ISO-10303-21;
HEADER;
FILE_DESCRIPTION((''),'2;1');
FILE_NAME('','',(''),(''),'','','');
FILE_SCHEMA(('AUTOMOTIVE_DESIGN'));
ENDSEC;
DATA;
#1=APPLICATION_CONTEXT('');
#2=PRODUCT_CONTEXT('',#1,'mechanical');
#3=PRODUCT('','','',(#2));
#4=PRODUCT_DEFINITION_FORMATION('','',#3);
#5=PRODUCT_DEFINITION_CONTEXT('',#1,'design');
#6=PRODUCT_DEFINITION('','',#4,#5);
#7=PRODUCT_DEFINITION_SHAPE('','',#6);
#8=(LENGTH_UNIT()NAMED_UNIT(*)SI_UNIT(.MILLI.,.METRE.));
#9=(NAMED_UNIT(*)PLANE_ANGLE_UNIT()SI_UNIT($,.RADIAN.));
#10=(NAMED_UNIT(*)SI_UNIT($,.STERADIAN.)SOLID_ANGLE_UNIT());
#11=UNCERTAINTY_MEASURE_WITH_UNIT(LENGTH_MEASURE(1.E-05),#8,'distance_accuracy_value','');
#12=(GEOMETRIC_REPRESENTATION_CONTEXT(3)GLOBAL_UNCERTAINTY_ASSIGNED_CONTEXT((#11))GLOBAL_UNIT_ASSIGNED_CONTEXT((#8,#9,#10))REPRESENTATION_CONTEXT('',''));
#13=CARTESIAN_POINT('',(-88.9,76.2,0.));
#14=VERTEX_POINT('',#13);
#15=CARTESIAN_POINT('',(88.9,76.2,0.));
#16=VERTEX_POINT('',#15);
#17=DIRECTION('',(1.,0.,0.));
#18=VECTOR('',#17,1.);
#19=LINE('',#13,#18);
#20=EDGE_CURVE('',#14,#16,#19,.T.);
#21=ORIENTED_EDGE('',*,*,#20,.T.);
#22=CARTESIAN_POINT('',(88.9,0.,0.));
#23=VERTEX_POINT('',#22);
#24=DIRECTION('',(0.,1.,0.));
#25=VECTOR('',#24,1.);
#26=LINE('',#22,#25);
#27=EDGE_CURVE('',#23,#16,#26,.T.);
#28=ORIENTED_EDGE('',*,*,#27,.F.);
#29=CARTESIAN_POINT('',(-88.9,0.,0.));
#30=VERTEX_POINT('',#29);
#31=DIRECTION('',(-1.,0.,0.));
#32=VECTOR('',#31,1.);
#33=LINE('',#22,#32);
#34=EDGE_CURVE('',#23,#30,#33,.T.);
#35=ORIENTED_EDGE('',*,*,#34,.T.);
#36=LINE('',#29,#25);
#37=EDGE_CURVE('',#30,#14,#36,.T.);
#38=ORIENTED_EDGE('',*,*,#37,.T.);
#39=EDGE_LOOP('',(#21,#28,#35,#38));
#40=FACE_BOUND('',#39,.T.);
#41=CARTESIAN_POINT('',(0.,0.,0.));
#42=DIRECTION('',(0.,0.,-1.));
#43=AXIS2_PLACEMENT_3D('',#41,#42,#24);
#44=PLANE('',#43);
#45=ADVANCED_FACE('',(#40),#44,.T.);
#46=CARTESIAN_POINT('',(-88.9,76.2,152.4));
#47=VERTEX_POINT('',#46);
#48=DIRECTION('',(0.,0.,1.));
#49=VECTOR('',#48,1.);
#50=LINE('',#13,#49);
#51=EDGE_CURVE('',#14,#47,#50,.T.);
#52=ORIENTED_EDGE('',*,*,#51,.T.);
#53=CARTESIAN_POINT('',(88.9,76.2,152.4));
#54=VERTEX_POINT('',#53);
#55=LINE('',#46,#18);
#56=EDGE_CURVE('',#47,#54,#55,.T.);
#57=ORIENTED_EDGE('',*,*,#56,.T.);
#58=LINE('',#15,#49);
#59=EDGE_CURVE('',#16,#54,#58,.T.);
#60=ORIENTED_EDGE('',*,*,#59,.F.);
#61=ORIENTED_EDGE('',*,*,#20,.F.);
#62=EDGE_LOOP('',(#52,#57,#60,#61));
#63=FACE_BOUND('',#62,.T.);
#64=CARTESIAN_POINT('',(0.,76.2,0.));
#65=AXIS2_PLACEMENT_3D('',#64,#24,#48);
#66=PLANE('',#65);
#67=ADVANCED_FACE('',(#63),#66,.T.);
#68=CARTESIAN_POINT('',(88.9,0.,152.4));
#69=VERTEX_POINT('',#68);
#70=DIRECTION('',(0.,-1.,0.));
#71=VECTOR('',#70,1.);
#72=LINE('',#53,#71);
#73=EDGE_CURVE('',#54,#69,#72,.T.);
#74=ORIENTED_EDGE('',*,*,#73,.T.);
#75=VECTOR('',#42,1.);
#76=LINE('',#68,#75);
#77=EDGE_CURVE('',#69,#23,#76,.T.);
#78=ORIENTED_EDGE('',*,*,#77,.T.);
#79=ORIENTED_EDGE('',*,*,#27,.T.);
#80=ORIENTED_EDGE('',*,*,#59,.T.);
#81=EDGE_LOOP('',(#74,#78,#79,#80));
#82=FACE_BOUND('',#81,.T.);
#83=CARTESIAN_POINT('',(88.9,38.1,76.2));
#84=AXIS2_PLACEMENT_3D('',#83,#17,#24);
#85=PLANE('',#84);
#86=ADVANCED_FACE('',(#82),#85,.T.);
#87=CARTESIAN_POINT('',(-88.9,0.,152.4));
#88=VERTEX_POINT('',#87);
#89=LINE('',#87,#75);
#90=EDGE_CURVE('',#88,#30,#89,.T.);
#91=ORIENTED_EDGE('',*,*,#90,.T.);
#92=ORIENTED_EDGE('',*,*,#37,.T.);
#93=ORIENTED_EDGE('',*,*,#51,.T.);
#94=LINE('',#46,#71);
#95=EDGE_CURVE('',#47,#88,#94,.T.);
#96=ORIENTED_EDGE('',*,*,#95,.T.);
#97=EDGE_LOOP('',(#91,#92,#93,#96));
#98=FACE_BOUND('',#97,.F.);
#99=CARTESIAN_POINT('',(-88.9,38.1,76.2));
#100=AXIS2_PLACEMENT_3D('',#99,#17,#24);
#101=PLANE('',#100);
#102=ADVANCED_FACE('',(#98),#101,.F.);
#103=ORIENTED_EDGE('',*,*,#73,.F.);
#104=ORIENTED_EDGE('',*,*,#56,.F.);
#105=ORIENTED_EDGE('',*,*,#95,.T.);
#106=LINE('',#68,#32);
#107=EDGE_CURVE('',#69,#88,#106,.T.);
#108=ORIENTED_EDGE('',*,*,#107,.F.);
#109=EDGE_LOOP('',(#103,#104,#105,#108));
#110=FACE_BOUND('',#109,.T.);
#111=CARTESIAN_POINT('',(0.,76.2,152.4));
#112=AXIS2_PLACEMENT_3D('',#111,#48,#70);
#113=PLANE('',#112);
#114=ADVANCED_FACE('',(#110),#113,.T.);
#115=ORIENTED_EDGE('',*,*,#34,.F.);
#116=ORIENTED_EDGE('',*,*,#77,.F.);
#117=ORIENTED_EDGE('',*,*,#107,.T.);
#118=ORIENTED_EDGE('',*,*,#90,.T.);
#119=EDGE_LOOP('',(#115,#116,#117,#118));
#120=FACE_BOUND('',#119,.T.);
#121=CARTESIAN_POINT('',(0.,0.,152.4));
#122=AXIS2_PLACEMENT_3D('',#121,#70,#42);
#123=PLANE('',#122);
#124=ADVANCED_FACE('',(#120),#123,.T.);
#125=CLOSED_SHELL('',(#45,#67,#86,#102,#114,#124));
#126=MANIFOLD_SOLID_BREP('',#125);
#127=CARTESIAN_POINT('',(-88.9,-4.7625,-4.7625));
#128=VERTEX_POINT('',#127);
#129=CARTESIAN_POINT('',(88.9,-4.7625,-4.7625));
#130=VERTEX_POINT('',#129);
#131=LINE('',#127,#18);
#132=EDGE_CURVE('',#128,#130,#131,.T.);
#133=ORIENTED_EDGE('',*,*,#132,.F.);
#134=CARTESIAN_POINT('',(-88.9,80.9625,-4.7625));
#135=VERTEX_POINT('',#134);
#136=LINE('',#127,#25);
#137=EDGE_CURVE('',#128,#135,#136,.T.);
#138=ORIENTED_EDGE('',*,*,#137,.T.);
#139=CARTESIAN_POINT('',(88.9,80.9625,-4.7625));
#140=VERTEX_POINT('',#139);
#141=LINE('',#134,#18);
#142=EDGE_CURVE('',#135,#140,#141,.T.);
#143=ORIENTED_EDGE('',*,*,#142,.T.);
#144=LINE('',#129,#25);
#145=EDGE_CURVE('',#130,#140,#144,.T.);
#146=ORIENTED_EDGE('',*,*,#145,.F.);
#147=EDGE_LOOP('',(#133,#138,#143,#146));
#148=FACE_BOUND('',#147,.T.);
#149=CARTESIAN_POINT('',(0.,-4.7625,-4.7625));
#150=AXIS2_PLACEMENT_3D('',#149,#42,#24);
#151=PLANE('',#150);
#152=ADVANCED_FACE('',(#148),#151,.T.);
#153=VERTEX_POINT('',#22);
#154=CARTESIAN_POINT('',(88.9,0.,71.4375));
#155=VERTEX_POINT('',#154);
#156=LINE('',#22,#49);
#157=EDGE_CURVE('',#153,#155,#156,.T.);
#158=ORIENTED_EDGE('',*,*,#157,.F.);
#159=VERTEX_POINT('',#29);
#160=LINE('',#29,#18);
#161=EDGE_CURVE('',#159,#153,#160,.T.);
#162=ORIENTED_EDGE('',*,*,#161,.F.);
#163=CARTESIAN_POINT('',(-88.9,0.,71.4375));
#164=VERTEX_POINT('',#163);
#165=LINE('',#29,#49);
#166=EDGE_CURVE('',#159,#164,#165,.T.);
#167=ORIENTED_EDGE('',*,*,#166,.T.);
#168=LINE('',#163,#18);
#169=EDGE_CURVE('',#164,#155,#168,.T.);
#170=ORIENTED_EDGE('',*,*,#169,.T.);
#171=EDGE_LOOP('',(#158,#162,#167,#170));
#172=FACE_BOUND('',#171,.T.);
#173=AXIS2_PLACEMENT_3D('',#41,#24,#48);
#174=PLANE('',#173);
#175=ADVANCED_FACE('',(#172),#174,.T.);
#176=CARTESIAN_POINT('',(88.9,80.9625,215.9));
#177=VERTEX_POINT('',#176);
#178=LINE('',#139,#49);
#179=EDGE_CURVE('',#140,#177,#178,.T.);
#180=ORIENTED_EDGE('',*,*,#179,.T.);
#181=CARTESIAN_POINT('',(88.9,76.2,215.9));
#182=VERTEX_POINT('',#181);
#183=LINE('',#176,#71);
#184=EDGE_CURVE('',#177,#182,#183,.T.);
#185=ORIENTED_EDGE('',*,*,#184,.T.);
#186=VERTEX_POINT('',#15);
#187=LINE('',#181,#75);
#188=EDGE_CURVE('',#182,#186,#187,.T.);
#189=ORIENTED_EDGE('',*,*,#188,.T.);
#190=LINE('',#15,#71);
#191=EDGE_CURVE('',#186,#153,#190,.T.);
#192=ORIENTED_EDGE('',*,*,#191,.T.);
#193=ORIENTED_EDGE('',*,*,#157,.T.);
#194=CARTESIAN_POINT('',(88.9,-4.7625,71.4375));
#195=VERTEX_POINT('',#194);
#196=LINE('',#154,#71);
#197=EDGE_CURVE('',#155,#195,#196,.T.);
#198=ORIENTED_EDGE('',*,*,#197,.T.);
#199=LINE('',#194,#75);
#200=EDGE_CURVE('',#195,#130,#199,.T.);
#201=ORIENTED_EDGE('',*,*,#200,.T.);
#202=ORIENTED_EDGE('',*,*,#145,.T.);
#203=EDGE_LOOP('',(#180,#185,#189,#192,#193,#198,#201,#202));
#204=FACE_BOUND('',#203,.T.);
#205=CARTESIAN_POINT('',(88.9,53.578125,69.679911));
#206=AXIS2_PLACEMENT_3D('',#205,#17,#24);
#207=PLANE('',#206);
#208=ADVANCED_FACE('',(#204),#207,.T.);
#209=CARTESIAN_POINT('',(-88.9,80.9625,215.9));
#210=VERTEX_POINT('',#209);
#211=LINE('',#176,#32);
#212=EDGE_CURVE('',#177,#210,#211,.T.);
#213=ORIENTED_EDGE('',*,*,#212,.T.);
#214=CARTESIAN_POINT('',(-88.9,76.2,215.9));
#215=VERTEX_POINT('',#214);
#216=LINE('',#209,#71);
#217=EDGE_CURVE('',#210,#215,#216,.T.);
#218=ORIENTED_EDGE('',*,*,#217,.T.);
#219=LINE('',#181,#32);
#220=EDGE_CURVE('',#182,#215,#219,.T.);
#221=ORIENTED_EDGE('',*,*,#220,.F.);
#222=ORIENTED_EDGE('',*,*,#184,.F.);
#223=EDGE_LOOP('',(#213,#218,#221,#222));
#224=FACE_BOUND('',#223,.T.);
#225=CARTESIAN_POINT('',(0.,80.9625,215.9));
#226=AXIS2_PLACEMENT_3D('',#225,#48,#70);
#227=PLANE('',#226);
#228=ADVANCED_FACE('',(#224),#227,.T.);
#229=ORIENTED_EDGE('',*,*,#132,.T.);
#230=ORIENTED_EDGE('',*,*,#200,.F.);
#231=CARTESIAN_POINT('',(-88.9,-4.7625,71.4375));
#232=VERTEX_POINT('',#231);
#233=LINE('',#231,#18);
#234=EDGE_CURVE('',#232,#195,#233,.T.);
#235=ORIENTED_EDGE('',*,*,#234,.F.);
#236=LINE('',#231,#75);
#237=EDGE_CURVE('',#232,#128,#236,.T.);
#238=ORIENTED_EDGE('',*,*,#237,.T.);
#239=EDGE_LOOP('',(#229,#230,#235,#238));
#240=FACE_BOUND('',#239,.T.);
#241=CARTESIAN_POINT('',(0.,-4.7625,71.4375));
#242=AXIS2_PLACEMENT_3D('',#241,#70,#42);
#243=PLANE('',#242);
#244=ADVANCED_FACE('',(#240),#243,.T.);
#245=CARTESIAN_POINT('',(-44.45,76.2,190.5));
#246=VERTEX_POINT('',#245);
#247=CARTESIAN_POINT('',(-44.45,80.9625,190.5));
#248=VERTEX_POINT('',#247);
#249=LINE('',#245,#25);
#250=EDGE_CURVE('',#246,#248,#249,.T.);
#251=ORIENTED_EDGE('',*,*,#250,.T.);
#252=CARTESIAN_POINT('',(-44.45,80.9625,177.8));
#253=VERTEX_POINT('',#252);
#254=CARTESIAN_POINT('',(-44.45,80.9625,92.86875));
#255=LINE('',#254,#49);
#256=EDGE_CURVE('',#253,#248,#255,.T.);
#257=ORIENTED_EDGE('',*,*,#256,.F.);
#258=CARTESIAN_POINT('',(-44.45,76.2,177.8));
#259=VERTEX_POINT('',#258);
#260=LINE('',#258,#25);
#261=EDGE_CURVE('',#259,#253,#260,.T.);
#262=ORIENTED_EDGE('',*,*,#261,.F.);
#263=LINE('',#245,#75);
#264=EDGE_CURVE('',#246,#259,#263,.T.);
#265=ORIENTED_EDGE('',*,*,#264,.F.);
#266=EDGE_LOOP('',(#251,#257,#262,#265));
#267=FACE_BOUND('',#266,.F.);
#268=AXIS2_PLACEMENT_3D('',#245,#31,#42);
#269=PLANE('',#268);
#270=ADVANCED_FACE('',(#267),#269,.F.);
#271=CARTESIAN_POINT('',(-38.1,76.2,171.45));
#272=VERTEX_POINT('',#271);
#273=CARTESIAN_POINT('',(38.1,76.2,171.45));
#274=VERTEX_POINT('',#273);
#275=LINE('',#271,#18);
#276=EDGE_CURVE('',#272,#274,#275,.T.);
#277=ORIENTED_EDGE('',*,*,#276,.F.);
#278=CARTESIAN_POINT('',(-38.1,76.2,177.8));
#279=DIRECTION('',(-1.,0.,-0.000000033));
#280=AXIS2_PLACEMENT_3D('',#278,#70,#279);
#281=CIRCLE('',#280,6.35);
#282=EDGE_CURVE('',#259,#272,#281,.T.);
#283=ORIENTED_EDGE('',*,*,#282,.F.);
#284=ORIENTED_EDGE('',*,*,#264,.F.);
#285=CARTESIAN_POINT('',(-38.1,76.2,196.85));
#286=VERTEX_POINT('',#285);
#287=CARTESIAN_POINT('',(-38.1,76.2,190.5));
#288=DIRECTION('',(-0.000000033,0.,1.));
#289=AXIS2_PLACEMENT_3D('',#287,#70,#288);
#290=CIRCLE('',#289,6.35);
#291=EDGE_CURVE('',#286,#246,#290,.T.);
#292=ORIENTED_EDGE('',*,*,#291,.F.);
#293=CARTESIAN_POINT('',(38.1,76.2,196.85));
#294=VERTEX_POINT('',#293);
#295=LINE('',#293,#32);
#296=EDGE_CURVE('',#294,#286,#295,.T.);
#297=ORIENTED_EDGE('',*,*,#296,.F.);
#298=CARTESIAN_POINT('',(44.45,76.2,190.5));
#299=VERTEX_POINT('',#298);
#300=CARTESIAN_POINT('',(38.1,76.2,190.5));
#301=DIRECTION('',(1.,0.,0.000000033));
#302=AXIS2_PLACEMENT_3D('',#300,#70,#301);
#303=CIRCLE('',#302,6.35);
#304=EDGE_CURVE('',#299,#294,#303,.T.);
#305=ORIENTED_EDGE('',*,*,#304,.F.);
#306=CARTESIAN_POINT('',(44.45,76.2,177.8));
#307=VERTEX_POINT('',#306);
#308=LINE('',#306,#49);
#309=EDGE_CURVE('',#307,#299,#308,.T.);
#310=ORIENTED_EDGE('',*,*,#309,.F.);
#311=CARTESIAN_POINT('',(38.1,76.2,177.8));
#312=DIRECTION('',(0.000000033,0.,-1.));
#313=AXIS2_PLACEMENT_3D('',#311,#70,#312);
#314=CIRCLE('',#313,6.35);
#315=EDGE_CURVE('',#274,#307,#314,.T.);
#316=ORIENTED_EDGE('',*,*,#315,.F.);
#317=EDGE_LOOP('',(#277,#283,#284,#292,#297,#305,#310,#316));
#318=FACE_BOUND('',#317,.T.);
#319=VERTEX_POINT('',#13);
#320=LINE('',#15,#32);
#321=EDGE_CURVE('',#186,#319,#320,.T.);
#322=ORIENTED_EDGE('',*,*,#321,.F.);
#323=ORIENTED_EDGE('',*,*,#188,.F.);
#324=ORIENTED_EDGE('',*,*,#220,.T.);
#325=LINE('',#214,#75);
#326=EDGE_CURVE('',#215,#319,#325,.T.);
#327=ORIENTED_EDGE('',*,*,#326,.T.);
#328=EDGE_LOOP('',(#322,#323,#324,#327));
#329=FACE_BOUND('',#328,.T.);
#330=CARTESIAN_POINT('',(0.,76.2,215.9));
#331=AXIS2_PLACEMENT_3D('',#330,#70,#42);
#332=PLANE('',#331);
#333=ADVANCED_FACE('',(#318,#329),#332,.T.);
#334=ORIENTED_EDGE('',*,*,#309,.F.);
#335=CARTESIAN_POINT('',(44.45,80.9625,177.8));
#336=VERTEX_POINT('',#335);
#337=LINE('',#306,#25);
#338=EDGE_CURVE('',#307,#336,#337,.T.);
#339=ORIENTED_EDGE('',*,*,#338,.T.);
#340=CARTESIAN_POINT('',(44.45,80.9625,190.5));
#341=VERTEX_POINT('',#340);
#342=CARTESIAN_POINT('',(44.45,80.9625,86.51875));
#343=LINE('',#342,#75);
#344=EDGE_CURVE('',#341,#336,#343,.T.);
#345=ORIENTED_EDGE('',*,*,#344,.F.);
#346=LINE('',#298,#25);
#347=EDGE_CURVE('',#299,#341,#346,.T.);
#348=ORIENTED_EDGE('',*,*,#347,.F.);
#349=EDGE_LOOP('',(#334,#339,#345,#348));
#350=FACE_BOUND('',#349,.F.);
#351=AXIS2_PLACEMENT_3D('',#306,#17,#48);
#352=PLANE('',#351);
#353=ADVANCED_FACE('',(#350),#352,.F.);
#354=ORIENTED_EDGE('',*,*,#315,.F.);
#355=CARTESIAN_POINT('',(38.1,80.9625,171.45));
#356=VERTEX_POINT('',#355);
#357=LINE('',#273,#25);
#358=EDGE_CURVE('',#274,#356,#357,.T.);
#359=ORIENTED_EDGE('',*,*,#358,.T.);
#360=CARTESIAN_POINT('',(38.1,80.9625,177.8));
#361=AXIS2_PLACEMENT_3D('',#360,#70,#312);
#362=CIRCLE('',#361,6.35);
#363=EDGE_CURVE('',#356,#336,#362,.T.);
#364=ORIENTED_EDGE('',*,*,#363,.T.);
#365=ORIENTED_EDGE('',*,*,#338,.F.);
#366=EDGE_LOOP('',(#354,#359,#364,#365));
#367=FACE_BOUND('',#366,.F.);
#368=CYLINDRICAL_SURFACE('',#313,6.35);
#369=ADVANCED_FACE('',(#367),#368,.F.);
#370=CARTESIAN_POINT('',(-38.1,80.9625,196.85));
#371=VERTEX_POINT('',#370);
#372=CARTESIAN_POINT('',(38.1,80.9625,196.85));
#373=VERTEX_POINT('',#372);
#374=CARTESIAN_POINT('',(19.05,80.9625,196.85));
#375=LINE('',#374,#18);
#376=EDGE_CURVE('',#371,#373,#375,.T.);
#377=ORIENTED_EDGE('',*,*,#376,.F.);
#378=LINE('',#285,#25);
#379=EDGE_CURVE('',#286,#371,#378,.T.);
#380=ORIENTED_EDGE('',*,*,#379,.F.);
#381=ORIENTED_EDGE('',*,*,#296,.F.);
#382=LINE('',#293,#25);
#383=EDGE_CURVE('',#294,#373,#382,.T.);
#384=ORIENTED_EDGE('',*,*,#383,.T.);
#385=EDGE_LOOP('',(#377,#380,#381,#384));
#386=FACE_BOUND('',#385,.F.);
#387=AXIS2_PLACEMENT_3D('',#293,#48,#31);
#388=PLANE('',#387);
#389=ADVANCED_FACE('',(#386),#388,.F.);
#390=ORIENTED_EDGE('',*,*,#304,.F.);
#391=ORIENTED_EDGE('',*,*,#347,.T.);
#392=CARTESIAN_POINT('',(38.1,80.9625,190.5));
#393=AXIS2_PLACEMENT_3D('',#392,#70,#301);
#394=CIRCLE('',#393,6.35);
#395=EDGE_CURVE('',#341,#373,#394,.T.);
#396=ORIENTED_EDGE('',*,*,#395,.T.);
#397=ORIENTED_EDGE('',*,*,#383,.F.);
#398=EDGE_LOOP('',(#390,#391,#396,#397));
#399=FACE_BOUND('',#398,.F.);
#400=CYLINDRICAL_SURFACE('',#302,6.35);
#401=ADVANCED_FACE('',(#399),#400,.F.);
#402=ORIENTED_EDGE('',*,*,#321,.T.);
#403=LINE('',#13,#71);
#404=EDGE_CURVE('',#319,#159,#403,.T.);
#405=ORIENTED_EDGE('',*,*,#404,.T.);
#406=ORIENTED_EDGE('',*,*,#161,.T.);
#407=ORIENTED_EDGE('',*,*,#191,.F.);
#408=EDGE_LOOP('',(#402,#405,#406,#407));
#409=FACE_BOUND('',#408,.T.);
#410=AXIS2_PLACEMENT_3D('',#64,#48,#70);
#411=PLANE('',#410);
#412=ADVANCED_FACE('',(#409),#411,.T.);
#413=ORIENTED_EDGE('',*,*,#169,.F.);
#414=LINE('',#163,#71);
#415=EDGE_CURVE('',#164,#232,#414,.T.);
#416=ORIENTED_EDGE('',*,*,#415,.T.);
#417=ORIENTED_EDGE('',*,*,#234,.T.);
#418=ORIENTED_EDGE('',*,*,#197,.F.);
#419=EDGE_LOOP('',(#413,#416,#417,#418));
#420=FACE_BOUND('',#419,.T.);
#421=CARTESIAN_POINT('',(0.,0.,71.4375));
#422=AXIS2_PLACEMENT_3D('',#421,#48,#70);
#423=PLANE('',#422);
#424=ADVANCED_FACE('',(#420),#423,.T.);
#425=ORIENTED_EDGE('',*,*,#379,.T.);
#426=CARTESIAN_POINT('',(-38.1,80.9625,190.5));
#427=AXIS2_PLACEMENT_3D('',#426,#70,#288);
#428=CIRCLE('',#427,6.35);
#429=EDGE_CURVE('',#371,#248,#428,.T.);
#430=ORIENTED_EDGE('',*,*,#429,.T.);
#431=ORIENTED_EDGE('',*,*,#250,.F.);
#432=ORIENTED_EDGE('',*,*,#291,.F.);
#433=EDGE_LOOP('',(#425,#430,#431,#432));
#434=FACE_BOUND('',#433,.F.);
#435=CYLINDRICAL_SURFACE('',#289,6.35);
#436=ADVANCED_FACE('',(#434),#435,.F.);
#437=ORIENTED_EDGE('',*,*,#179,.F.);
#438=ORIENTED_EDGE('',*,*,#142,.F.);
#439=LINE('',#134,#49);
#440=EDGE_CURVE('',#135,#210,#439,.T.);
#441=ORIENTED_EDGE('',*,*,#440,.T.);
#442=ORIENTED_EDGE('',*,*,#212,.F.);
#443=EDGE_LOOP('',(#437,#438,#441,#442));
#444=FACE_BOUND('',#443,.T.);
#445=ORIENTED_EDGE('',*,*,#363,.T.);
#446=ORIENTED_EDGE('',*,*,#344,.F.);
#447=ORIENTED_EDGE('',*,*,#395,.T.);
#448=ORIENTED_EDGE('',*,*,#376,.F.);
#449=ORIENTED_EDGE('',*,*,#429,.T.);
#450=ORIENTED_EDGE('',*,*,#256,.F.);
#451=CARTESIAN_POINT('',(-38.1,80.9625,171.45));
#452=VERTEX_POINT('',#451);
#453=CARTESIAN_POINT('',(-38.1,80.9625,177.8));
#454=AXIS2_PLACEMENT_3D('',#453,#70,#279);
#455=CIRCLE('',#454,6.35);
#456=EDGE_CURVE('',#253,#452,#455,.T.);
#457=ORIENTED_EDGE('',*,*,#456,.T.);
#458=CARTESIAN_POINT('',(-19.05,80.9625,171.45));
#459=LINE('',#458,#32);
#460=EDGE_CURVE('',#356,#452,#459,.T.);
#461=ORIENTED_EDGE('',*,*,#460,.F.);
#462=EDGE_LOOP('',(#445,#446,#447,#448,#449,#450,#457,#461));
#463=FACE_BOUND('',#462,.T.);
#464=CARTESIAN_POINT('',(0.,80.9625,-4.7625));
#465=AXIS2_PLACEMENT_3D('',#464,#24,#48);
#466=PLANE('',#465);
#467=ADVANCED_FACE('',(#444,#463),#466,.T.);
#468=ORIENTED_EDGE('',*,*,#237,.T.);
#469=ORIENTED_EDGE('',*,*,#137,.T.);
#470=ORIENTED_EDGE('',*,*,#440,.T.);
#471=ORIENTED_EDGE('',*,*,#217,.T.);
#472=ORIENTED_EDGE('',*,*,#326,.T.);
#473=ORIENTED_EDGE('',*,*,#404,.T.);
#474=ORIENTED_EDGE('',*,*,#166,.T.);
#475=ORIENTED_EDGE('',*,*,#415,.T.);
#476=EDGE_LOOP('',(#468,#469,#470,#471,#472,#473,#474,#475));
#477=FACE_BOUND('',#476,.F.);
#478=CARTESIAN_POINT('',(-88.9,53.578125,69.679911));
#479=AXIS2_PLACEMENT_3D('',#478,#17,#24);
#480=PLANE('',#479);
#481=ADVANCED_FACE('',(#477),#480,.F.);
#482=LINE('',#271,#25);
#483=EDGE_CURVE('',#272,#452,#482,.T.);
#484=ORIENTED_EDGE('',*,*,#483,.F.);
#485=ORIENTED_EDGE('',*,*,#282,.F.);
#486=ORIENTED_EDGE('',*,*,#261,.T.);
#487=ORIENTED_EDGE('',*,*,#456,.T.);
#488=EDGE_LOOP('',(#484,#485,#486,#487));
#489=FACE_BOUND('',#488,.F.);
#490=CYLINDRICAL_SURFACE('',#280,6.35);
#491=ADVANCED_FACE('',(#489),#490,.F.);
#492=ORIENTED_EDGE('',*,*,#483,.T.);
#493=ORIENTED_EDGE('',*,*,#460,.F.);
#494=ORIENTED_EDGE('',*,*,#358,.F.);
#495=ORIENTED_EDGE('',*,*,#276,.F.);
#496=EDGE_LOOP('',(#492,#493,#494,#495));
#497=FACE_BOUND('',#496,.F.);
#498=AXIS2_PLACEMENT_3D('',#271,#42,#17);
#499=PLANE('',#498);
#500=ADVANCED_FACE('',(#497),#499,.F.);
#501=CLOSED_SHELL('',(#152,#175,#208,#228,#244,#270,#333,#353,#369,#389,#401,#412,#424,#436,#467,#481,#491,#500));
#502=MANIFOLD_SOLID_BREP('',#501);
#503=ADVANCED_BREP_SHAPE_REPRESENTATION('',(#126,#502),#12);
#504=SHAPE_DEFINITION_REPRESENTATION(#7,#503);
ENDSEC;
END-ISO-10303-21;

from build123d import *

# Parameters (mm, degrees)
F1_DEPTH      = 88.9
F1_DEPTH_BACK = 88.9
F2_DEPTH      = 88.9
F2_DEPTH_BACK = 88.9
F4_DEPTH      = 25.4


with BuildPart() as f1:
    # F0 (on Right) → F1 (new body, two sides)
    with BuildSketch(Plane.YZ) as f1_sk:
        Polygon((0, 71.4375), (0, 0), (76.2, 0), (76.2, 152.4), (0, 152.4), align=None)
    extrude(amount=F1_DEPTH)
    extrude(f1_sk.sketch, amount=-F1_DEPTH_BACK)


with BuildPart() as f2:
    # F0 (on Right) → F2 (new body, two sides)
    with BuildSketch(Plane.YZ) as f2_sk:
        Polygon((76.2, 0), (0, 0), (0, 71.4375), (-4.7625, 71.4375), (-4.7625, -4.7625), (80.9625, -4.7625), (80.9625, 215.9), (76.2, 215.9), (76.2, 152.4), align=None)
    extrude(amount=F2_DEPTH)
    extrude(f2_sk.sketch, amount=-F2_DEPTH_BACK)

    # F3 (on face) → F4 (cut)
    with BuildSketch(Plane.XZ.offset(-76.2)):
        with BuildLine():
            ThreePointArc((44.45, 190.5), (42.590128, 194.990128), (38.1, 196.85))
            Line((38.1, 196.85), (-38.1, 196.85))
            ThreePointArc((-38.1, 196.85), (-42.590128, 194.990128), (-44.45, 190.5))
            Line((-44.45, 190.5), (-44.45, 177.8))
            ThreePointArc((-44.45, 177.8), (-42.590128, 173.309872), (-38.1, 171.45))
            Line((-38.1, 171.45), (38.1, 171.45))
            ThreePointArc((38.1, 171.45), (42.590128, 173.309872), (44.45, 177.8))
            Line((44.45, 177.8), (44.45, 190.5))
        make_face()
    extrude(amount=-F4_DEPTH, mode=Mode.SUBTRACT)


solid = Compound([f1.part, f2.part])
